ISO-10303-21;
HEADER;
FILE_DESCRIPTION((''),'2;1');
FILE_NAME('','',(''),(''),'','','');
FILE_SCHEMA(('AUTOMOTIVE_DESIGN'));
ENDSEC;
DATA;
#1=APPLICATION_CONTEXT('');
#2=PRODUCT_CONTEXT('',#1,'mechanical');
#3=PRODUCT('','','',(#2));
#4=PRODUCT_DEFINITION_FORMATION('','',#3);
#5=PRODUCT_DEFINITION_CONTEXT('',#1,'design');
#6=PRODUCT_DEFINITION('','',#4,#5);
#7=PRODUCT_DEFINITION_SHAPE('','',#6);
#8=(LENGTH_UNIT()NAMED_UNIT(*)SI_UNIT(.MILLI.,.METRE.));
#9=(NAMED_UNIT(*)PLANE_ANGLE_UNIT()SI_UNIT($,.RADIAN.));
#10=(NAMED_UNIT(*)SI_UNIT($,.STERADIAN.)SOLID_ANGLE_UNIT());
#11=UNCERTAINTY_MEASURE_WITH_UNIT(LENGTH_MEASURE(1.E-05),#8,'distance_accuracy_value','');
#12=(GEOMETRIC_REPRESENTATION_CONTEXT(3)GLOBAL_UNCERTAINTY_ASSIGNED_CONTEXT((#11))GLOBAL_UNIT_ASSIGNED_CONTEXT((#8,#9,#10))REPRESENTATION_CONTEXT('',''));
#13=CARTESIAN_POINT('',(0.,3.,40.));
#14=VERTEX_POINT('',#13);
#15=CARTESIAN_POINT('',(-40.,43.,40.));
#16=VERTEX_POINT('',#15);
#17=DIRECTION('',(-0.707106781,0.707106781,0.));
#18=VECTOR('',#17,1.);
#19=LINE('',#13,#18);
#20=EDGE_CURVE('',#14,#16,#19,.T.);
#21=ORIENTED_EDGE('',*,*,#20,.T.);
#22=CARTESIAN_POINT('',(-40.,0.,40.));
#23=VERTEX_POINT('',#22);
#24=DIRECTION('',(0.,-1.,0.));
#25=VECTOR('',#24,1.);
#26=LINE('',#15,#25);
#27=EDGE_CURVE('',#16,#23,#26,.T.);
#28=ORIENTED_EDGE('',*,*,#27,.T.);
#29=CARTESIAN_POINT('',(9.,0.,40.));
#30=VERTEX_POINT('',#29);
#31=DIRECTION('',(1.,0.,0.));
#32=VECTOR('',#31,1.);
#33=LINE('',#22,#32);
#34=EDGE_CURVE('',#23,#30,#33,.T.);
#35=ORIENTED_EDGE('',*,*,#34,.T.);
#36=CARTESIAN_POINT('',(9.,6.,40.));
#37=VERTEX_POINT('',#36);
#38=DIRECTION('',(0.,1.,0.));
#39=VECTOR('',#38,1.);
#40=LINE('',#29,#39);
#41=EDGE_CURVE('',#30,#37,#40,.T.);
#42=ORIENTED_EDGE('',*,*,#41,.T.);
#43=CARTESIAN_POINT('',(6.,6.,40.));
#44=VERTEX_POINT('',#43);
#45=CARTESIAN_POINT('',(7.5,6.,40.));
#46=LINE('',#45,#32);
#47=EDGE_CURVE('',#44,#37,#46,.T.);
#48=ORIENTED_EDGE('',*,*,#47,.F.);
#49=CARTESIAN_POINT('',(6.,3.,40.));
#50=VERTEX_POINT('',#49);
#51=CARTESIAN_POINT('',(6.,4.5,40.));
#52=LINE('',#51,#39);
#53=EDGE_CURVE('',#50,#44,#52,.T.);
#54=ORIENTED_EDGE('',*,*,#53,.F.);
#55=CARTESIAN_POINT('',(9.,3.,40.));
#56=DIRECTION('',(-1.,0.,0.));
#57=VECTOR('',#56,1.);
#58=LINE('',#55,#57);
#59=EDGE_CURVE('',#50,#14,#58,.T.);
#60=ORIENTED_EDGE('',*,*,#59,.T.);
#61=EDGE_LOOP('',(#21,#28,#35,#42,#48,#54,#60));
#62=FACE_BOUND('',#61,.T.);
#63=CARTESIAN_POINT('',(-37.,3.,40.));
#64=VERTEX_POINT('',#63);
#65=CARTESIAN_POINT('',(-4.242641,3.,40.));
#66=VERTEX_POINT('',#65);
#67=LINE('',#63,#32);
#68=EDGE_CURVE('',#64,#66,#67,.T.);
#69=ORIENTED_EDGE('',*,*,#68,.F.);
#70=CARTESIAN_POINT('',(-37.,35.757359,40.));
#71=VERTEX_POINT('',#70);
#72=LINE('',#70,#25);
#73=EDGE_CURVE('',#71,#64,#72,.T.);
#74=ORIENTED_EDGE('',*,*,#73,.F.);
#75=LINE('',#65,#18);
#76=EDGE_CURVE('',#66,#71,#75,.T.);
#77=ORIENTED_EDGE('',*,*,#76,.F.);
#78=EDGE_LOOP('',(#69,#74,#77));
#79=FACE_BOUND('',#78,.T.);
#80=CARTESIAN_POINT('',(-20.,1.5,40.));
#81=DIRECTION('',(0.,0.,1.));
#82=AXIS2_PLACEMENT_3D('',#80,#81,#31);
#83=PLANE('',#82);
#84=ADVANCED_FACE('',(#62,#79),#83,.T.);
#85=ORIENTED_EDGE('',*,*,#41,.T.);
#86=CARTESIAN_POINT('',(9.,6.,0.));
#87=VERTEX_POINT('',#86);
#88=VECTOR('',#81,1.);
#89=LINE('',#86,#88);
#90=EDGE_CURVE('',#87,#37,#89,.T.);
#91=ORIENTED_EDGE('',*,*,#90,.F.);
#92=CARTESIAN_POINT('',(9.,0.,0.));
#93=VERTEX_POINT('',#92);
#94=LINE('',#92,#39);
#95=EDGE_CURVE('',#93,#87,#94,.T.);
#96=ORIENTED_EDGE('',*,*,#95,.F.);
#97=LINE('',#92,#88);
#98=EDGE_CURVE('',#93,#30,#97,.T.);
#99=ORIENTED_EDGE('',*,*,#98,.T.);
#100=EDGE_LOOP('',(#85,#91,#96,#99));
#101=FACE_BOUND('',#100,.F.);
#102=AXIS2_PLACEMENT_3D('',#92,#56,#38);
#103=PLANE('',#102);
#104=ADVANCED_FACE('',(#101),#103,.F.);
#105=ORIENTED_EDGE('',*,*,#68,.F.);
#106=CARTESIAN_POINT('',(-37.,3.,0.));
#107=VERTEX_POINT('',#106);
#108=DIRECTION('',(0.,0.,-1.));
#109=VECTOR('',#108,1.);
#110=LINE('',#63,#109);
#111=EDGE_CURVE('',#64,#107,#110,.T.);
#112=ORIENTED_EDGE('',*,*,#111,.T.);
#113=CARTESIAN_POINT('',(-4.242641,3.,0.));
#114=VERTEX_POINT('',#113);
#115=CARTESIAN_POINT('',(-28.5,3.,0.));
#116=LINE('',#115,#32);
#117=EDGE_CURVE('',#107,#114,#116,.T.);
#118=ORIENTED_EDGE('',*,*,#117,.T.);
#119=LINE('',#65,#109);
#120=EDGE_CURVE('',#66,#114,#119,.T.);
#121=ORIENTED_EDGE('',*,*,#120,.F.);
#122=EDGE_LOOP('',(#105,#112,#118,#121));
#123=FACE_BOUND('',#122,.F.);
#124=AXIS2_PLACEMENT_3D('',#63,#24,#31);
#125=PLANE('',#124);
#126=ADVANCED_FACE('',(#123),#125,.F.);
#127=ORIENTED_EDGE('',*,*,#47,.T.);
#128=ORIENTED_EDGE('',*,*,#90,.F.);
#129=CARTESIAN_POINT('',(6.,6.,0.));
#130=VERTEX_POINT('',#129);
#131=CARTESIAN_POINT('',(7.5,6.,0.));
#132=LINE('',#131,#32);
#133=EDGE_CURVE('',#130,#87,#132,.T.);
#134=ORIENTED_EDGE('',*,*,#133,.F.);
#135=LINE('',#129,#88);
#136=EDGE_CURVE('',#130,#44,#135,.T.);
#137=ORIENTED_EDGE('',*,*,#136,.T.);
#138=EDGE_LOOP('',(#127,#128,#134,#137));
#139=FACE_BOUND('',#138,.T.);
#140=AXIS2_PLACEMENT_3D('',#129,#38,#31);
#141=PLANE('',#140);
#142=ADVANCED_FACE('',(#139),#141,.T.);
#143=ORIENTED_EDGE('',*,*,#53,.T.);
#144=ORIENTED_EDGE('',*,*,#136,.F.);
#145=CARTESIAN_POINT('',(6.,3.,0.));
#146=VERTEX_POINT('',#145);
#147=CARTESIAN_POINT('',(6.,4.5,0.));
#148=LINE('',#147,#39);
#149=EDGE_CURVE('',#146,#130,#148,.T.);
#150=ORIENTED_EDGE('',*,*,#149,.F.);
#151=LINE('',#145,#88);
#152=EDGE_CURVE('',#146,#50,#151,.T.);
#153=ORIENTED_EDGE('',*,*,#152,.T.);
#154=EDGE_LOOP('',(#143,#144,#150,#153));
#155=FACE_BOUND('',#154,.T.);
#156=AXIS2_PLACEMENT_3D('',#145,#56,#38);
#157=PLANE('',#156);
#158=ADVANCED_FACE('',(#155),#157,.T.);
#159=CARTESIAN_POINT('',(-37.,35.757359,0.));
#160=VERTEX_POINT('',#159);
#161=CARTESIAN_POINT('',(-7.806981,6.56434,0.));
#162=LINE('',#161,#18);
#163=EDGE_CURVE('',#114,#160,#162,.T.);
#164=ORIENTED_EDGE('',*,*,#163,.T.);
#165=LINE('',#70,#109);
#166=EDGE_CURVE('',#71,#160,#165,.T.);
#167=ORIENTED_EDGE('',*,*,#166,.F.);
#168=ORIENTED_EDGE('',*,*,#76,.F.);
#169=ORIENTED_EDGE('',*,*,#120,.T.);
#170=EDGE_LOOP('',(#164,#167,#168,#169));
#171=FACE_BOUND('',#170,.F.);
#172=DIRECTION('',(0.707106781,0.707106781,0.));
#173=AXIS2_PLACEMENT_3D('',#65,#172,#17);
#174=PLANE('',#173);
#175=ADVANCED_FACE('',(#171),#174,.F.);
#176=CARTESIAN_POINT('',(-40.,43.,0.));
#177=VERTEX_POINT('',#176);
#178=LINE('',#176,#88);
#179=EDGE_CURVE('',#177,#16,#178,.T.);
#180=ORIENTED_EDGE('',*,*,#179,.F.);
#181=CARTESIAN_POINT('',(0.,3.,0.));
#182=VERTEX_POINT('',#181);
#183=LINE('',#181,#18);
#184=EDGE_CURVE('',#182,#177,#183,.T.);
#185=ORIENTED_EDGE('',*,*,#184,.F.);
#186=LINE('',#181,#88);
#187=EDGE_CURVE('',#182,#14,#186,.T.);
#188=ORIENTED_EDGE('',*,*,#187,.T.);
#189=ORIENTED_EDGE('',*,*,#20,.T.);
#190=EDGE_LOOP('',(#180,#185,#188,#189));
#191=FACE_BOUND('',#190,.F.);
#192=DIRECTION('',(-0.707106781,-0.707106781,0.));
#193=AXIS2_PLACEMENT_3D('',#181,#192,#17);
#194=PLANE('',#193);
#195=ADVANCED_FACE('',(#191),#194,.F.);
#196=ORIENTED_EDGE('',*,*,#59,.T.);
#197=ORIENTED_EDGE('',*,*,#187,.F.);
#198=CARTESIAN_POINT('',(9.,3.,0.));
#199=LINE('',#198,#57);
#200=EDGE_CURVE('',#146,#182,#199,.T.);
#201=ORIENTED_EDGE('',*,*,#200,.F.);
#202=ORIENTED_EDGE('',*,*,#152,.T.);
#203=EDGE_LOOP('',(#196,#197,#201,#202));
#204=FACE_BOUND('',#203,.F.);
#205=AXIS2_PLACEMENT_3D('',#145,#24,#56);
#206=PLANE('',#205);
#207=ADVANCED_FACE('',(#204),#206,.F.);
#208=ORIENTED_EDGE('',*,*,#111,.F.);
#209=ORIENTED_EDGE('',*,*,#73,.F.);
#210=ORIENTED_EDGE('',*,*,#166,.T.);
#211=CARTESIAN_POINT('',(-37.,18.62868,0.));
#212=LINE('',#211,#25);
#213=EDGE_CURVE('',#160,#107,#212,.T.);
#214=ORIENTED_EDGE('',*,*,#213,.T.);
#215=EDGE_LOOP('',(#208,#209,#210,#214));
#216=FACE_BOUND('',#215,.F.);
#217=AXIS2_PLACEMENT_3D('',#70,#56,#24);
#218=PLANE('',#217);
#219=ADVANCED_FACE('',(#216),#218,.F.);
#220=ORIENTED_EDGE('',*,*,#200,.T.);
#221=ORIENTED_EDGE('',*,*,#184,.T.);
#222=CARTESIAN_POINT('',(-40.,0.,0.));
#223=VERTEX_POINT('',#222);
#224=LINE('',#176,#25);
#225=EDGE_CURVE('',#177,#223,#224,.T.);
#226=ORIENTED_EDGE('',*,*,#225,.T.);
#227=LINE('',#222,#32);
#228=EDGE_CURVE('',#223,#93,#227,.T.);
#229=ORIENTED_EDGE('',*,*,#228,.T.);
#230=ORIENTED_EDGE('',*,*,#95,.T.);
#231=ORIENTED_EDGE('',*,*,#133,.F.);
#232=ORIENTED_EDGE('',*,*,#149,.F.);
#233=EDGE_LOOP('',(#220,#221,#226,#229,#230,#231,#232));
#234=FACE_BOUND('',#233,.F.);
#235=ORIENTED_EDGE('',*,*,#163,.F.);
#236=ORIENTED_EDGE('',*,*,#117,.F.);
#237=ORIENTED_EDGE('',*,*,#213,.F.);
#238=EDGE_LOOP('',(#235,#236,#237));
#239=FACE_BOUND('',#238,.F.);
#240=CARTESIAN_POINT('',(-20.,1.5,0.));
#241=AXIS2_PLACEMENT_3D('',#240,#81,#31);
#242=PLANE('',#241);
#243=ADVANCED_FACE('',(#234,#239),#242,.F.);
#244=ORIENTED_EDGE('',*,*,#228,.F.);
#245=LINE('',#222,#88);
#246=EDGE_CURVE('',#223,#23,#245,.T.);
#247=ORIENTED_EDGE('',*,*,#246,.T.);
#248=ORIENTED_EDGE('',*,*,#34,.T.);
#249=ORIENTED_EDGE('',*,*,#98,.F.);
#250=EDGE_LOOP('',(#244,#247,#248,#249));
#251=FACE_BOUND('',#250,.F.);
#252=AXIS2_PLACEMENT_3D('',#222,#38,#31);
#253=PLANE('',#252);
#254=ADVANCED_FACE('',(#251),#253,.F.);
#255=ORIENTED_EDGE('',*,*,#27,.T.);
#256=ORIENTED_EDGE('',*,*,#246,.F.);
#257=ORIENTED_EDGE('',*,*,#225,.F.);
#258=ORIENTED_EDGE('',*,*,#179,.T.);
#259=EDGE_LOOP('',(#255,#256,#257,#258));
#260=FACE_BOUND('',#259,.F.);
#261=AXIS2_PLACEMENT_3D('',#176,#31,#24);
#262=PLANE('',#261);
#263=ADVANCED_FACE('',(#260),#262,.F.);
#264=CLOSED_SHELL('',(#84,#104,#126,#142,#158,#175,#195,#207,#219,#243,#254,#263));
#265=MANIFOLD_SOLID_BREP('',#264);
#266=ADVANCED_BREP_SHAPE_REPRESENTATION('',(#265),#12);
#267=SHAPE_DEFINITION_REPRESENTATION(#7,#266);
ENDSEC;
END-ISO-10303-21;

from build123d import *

# Parameters (mm, degrees)
F0_W     = 40
F0_H     = 3
F0_W_2   = 3
F1_DEPTH = 40
F4_DEPTH = 40.001


with BuildPart() as f1:
    # F0 (on Top) → F1 (new body)
    with BuildSketch(Plane.XY):
        with Locations((-20, 1.5)):
            Rectangle(F0_W, F0_H)
        Polygon((0, 3), (0, 0), (9, 0), (9, 3), (6, 3), align=None)
        Polygon((-40, 3), (0, 3), (-40, 43), align=None)
        with Locations((7.5, 4.5)):
            Rectangle(F0_W_2, F0_H)
    extrude(amount=F1_DEPTH)

    # F3 (on face) → F4 (cut, through all)
    with BuildSketch(Plane.XY.offset(40)):
        Polygon((-4.242641, 3), (-37, 35.757359), (-37, 3), align=None)
    extrude(amount=-F4_DEPTH, mode=Mode.SUBTRACT)


solid = f1.part
